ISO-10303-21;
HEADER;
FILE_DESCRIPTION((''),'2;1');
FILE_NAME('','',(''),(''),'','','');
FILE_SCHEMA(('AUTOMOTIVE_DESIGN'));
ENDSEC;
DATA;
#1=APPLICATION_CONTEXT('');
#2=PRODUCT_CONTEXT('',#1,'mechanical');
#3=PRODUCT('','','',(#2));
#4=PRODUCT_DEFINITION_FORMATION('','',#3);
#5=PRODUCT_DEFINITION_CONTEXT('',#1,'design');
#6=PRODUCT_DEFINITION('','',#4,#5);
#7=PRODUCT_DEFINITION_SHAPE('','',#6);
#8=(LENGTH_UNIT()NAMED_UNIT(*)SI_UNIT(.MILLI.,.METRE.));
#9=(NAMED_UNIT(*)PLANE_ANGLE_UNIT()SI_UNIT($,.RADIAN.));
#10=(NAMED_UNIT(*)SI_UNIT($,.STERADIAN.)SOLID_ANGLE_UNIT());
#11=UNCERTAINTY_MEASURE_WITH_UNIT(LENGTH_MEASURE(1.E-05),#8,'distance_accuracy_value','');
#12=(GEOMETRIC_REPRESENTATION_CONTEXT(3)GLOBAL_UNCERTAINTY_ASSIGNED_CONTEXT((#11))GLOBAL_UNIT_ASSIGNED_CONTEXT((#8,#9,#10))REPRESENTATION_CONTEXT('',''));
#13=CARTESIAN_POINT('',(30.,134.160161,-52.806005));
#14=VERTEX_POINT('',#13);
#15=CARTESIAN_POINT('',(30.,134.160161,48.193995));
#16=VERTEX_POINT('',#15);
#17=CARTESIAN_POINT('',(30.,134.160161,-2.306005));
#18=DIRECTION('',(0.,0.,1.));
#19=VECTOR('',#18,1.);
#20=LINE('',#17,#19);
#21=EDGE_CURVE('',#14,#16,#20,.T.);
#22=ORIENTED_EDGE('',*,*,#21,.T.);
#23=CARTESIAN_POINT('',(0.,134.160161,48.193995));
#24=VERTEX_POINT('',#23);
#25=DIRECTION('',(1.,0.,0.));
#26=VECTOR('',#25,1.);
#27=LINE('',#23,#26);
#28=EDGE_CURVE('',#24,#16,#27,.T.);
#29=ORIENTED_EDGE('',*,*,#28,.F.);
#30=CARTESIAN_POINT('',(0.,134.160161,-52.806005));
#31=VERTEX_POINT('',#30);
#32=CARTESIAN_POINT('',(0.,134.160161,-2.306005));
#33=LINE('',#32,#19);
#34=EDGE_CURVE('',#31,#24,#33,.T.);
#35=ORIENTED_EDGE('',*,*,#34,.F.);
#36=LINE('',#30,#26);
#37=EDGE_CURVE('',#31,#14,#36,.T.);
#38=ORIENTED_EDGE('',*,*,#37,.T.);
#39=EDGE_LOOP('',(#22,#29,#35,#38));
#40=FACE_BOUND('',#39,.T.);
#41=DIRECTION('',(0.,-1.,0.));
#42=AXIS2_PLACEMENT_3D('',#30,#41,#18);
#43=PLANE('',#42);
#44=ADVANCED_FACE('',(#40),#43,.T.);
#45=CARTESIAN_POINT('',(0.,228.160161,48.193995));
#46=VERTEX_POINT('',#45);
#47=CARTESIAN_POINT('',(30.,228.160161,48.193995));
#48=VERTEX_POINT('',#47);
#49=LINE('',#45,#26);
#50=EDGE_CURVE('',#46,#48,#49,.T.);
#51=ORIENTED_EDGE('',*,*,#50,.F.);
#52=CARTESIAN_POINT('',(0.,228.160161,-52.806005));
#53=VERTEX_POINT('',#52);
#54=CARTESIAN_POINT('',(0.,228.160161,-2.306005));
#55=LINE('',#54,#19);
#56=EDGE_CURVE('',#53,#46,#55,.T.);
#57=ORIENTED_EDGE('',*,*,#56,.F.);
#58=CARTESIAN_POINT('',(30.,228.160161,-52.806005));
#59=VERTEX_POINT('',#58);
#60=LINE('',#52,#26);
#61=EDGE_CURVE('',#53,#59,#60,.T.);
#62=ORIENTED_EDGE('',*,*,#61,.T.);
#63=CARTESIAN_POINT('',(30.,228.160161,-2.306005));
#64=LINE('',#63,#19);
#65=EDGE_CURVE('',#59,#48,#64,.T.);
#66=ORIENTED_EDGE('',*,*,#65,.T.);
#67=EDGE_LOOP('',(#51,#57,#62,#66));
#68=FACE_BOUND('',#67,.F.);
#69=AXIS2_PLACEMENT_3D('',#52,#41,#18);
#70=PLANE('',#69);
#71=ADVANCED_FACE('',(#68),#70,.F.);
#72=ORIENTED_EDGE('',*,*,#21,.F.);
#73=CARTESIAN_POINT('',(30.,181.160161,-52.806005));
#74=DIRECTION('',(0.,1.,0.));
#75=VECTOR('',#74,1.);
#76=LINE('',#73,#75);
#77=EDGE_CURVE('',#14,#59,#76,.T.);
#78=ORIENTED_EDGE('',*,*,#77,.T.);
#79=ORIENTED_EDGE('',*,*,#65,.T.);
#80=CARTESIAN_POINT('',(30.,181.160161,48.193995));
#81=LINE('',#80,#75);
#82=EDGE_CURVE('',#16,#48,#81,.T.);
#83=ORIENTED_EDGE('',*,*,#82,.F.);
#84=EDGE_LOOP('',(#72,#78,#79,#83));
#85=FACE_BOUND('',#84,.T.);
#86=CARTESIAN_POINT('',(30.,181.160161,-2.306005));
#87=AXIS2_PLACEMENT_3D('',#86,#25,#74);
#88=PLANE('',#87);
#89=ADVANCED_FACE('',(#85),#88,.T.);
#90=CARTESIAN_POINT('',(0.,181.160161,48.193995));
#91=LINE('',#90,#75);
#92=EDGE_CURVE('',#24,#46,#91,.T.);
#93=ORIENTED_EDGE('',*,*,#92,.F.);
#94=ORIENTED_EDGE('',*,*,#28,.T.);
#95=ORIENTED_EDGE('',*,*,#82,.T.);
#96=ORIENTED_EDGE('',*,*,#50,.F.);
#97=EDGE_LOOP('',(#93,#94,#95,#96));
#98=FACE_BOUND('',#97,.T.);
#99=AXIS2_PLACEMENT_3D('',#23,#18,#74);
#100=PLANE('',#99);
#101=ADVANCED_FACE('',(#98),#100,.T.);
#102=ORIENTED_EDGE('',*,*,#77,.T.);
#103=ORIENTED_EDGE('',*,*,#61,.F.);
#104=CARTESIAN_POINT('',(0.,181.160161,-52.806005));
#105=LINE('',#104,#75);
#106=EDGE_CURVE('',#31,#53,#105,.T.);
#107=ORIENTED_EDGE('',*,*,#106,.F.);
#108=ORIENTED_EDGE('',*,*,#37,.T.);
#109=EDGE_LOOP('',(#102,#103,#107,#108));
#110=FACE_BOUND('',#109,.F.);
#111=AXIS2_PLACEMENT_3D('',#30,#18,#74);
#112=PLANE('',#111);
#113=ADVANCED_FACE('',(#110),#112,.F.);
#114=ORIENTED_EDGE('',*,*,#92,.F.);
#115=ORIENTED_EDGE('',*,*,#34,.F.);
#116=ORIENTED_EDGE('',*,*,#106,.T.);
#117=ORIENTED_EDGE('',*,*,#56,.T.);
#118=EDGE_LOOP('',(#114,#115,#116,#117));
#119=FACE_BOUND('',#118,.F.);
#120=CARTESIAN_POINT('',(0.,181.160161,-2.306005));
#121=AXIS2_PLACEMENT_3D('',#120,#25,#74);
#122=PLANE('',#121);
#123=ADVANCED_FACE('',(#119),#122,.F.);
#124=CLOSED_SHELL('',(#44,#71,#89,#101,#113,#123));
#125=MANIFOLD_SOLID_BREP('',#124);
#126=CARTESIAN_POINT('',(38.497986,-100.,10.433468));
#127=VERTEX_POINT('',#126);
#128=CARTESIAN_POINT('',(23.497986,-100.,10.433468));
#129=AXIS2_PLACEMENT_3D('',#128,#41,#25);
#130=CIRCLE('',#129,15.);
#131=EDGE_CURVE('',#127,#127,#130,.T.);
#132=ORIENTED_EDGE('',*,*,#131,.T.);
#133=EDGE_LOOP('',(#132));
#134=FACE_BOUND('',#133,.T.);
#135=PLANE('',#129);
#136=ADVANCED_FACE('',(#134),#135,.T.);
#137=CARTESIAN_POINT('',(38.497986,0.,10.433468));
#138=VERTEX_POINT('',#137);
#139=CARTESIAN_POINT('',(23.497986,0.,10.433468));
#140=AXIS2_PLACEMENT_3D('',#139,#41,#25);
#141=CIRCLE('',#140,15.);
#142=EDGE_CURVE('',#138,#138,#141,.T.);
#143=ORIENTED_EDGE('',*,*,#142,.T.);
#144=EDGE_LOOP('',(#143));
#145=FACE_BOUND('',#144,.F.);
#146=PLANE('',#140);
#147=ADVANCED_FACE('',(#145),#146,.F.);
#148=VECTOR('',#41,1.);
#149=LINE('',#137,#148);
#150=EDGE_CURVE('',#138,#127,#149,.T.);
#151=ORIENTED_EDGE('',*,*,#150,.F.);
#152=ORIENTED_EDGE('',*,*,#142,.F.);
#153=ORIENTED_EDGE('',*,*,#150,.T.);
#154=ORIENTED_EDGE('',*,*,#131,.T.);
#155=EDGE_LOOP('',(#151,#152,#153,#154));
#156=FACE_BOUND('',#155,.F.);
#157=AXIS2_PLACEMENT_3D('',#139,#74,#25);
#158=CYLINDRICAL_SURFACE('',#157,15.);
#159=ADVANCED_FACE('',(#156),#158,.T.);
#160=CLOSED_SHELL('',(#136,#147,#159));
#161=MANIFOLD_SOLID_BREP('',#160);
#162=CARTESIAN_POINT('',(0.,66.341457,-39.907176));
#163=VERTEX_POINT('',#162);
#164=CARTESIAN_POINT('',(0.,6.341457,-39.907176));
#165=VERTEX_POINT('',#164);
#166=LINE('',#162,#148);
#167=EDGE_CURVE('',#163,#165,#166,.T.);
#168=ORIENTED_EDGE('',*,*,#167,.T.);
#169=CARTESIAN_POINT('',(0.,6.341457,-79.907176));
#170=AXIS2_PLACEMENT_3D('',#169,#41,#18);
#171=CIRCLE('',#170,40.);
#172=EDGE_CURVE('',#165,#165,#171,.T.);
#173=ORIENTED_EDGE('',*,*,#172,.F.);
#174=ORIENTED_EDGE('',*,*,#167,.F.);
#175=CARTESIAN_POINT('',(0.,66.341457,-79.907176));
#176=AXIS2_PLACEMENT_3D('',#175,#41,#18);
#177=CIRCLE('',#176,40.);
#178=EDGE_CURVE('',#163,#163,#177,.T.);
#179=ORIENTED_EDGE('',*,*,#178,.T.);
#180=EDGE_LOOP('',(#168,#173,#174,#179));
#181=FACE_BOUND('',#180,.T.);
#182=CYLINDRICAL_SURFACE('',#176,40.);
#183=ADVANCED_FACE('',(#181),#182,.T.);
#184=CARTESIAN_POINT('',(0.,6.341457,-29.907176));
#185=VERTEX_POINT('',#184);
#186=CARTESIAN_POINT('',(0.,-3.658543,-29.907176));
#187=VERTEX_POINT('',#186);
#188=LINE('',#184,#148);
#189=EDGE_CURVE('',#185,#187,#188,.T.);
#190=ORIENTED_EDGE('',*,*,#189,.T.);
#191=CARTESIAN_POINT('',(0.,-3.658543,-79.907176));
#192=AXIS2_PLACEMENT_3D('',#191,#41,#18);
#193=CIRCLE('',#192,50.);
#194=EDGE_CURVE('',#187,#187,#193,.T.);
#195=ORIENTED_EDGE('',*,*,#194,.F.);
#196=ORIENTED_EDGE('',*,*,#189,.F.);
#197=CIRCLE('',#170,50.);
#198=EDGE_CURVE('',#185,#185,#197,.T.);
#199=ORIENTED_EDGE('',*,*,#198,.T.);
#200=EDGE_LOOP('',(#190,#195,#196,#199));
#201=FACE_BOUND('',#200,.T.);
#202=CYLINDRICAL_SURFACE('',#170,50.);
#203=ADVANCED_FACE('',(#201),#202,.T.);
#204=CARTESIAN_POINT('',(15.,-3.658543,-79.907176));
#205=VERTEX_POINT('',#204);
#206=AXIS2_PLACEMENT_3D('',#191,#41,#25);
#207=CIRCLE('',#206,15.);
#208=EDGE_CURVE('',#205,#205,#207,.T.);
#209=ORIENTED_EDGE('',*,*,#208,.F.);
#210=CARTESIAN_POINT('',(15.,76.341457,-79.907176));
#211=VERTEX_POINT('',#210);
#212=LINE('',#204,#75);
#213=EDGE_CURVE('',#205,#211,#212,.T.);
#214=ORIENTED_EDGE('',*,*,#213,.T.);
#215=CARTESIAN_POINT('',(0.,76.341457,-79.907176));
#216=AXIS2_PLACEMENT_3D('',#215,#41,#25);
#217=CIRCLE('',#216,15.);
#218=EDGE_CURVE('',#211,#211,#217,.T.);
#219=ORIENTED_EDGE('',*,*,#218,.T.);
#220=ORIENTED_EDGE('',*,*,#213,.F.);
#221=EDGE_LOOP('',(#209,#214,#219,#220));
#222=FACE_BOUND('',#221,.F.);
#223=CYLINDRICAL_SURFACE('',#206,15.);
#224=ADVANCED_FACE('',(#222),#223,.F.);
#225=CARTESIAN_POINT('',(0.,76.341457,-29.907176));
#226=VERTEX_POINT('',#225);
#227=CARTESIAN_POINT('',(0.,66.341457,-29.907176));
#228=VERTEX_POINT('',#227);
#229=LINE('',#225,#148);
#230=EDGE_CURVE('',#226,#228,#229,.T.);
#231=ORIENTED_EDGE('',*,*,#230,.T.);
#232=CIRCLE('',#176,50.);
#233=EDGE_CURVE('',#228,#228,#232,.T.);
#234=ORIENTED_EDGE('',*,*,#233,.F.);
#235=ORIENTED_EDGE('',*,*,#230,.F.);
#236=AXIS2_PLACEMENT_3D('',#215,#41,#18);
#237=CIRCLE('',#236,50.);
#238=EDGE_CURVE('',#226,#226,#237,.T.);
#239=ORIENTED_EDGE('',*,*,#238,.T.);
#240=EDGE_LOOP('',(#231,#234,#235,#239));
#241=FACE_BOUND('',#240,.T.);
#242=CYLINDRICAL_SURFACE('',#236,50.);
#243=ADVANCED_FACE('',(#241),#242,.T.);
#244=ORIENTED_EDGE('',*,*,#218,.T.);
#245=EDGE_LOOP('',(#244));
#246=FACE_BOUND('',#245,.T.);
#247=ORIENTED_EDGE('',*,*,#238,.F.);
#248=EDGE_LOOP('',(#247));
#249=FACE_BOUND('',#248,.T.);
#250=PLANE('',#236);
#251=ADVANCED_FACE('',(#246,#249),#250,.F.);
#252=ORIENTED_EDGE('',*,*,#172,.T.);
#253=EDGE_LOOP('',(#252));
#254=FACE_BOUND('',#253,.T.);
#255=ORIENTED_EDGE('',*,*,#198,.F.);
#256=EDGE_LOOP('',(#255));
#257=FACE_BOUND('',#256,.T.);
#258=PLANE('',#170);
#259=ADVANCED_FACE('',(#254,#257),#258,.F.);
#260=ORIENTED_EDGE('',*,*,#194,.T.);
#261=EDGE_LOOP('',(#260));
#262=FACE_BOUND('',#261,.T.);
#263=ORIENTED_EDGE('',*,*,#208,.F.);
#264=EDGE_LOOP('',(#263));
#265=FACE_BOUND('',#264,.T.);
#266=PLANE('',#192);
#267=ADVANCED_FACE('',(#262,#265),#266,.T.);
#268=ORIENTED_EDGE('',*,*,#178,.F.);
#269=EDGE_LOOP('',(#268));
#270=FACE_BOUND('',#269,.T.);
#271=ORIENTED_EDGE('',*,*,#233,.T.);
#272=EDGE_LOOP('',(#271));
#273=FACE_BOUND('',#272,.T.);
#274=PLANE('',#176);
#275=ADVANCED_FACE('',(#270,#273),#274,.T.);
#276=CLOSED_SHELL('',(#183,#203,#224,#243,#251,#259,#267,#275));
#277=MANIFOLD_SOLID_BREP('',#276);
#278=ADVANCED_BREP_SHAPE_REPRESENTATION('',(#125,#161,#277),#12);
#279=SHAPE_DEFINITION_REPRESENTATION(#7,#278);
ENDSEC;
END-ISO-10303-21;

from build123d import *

# Parameters (mm, degrees)
F0_R     = 15
F1_DEPTH = 100
F4_R     = 15
F5_DEPTH = 80
F6_W     = 94
F6_H     = 101
F7_DEPTH = 30


with BuildPart() as f1:
    # F0 (on Front) → F1 (new body)
    with BuildSketch(Plane.XZ):
        with Locations((23.497986, 10.433468)):
            Circle(F0_R)
    extrude(amount=F1_DEPTH)


with BuildPart() as f3:
    # F2 (on Right) → F3 (revolve)
    with BuildSketch(Plane.YZ):
        Polygon((-3.658543, -29.907176), (-3.658543, -79.907176), (76.341457, -79.907176), (76.341457, -29.907176), (66.341457, -29.907176), (66.341457, -39.907176), (6.341457, -39.907176), (6.341457, -29.907176), align=None)
    revolve(axis=Axis((0, 36.341457, -79.907176), (0, -1, 0)))

    # F4 (on face) → F5 (cut)
    with BuildSketch(Plane.XZ.offset(3.658543)):
        with Locations((0, -79.907176)):
            Circle(F4_R)
    extrude(amount=-F5_DEPTH, mode=Mode.SUBTRACT)


with BuildPart() as f7:
    # F6 (on Right) → F7 (new body)
    with BuildSketch(Plane.YZ):
        with Locations((181.160161, -2.306005)):
            Rectangle(F6_W, F6_H)
    extrude(amount=F7_DEPTH)


solid = Compound([f1.part, f3.part, f7.part])
